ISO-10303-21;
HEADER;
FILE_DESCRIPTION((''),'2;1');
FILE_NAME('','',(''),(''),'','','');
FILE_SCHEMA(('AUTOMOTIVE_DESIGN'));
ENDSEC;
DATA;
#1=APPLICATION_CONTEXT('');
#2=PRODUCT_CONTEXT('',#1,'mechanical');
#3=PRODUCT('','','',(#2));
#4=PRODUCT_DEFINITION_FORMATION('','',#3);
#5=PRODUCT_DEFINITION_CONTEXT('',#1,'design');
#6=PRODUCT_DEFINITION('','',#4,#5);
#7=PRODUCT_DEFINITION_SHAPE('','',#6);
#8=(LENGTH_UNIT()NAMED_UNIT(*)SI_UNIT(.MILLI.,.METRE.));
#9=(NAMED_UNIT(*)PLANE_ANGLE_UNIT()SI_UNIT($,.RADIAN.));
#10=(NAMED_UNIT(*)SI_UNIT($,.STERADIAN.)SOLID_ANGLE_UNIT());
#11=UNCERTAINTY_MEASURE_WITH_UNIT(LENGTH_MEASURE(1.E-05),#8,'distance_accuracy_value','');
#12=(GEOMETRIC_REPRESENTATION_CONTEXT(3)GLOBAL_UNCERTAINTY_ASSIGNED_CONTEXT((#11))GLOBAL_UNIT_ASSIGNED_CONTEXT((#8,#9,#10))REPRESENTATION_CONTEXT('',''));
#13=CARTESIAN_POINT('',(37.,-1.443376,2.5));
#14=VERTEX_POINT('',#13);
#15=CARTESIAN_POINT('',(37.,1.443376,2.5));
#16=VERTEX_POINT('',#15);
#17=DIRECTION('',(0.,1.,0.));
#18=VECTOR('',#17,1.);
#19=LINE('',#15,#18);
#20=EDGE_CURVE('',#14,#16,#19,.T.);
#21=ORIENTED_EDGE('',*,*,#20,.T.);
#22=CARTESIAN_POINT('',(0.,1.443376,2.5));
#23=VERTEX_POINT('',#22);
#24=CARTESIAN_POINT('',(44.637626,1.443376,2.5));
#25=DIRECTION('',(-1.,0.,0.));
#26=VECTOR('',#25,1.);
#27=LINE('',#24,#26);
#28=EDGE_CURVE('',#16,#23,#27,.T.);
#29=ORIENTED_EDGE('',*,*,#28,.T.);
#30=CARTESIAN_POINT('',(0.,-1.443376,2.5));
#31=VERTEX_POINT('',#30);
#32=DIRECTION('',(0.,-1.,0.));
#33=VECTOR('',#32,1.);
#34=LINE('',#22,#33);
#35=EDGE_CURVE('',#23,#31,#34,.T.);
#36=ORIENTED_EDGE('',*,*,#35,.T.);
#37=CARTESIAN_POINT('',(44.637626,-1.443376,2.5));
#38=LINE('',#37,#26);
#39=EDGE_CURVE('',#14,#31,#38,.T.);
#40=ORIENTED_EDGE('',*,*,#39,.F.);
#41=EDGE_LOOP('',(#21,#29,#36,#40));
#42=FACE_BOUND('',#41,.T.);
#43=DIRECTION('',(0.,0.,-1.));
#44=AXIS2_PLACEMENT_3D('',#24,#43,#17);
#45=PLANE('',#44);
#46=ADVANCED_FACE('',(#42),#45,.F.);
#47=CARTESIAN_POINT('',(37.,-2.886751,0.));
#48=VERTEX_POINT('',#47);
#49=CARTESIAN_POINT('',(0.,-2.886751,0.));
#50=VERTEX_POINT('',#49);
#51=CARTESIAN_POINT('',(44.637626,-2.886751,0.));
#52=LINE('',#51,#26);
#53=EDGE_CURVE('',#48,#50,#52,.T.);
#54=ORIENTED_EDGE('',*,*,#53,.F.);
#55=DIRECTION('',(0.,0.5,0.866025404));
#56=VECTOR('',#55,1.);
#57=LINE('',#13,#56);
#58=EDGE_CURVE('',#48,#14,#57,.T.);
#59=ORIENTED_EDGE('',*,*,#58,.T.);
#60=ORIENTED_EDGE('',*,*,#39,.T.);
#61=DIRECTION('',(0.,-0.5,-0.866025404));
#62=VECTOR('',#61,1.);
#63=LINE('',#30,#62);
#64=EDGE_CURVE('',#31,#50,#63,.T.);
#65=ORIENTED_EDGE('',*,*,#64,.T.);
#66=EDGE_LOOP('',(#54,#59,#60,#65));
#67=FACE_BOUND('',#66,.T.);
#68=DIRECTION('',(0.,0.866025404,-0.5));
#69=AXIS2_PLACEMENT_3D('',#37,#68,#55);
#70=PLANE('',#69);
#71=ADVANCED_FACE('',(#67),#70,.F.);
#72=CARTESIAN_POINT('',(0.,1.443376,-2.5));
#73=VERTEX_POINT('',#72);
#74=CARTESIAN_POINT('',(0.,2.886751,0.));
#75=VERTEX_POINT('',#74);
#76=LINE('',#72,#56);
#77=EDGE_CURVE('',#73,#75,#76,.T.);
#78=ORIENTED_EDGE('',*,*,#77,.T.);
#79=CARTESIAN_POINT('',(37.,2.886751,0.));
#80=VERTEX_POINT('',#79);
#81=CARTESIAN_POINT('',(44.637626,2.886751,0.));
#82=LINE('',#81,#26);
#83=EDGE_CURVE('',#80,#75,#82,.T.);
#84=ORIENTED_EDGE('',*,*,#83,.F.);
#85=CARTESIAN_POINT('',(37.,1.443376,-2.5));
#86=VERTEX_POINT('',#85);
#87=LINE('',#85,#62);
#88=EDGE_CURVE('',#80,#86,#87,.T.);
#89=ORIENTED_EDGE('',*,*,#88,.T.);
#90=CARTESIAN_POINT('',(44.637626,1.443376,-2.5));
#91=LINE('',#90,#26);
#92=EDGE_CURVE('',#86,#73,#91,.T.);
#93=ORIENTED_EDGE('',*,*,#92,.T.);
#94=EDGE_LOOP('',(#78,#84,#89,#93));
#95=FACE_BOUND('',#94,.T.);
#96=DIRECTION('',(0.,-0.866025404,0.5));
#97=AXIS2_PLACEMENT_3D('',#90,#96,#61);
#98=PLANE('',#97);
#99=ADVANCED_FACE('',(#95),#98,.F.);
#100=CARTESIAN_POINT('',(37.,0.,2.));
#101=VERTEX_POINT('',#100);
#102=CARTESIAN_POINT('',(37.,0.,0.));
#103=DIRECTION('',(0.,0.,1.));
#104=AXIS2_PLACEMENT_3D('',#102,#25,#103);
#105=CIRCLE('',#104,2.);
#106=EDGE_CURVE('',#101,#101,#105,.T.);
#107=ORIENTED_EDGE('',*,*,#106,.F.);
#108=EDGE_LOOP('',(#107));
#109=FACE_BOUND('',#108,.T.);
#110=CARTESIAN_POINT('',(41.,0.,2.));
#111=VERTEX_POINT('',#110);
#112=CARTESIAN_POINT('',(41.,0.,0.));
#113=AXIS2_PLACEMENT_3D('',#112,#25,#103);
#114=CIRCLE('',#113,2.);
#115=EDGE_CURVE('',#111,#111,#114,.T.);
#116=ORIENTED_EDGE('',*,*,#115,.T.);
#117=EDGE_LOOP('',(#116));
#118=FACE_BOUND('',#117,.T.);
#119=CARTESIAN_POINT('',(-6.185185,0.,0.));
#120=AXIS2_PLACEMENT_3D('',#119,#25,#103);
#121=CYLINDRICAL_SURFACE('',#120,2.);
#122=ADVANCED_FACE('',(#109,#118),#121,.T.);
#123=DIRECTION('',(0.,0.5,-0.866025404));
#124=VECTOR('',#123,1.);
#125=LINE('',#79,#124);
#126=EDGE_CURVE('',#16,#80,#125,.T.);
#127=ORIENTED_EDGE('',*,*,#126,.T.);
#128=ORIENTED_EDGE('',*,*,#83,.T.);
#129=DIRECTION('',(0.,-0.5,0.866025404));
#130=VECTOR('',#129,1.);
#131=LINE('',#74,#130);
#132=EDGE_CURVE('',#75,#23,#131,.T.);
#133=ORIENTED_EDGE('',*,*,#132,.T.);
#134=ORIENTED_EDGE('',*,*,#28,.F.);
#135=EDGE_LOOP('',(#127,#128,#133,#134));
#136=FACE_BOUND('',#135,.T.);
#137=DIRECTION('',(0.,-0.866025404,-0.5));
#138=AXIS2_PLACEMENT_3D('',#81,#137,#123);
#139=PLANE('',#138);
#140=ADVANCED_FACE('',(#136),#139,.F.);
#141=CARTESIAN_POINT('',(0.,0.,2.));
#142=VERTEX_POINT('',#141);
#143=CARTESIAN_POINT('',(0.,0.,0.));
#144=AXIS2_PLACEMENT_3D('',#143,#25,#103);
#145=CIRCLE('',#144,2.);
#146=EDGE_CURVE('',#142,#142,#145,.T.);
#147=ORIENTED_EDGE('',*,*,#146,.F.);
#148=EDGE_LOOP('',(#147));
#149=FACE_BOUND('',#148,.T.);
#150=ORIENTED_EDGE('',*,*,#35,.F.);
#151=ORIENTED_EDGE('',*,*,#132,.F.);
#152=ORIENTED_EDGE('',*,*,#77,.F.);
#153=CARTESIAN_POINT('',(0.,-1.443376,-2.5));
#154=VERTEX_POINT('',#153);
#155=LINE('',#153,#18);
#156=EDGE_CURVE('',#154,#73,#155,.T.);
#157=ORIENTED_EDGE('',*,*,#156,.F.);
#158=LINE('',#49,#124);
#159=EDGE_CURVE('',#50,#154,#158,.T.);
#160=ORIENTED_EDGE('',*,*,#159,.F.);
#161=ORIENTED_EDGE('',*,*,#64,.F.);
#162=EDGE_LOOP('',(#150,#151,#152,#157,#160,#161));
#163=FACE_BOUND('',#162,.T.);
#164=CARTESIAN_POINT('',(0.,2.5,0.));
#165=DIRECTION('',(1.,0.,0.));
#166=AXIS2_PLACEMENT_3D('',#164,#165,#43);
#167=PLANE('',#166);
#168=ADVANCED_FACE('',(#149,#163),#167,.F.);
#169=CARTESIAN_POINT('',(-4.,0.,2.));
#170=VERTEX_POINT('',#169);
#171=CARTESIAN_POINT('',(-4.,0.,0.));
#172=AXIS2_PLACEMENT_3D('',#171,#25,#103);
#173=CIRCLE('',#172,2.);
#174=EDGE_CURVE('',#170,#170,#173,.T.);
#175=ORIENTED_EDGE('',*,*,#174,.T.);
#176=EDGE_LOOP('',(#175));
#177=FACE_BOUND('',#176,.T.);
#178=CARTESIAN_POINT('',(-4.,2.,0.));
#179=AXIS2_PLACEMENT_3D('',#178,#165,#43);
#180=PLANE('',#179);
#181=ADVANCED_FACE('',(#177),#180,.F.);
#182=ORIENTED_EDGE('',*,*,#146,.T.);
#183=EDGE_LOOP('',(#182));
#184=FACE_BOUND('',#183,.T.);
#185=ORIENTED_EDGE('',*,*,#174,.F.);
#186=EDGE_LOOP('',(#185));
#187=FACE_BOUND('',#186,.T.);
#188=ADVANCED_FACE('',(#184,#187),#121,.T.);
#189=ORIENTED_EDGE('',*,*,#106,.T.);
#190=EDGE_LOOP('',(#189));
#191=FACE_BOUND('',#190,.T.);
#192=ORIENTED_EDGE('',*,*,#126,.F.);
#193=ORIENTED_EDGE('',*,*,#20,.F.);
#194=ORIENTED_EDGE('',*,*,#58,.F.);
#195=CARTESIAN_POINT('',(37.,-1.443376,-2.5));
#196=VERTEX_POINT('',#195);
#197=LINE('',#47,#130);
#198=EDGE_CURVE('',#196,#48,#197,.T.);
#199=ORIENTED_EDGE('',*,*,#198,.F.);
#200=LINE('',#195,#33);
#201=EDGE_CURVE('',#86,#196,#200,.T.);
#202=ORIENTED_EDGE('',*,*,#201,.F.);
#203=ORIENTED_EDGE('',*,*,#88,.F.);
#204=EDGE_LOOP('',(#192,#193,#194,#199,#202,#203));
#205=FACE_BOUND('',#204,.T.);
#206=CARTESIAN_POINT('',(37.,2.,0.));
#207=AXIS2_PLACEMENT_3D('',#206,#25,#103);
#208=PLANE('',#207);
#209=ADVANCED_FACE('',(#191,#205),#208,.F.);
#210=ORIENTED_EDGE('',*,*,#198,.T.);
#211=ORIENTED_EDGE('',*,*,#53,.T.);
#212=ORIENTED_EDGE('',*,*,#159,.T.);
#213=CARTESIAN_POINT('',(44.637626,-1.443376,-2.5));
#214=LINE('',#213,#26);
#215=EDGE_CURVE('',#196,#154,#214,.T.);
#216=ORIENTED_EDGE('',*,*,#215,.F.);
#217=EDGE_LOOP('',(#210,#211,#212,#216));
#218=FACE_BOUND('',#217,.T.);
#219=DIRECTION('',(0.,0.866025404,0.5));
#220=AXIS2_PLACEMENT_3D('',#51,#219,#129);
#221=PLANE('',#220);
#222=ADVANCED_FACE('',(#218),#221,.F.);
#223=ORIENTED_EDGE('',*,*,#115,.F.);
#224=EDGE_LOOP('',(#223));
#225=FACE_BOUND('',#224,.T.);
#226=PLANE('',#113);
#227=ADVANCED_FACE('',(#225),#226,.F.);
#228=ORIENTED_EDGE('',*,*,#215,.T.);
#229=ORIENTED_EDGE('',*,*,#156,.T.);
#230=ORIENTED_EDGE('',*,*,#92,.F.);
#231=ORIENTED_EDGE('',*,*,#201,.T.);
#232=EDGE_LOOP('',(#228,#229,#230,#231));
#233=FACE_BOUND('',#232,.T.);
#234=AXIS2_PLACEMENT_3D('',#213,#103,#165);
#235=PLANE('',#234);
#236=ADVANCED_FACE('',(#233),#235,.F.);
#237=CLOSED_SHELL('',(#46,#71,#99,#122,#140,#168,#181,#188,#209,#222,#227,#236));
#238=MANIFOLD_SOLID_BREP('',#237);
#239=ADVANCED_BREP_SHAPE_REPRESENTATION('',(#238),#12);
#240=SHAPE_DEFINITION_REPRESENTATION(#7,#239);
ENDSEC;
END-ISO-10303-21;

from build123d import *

# Parameters (mm, degrees)
BOSS_EXTRUDE1_DEPTH = 37


with BuildPart() as part:
    # Sketch1 → Revolve1 (revolve)
    with BuildSketch(Plane.XY):
        Polygon((0, 2), (-4, 2), (-4, 0), (41, 0), (41, 2), (37, 2), (37, 2.5), (0, 2.5), align=None)
    revolve(axis=Axis((-6.185185185, 0, 0), (1, 0, 0)))

    # Sketch2 → Boss-Extrude1 (add)
    with BuildSketch(Plane(origin=(0, 0, 0), x_dir=(0, 0, -1), z_dir=(1, 0, 0))):
        Polygon((0, 2.886751346), (-2.5, 1.443375673), (-2.5, -1.443375673), (0, -2.886751346), (2.5, -1.443375673), (2.5, 1.443375673), align=None)
    extrude(amount=BOSS_EXTRUDE1_DEPTH)


solid = part.part
